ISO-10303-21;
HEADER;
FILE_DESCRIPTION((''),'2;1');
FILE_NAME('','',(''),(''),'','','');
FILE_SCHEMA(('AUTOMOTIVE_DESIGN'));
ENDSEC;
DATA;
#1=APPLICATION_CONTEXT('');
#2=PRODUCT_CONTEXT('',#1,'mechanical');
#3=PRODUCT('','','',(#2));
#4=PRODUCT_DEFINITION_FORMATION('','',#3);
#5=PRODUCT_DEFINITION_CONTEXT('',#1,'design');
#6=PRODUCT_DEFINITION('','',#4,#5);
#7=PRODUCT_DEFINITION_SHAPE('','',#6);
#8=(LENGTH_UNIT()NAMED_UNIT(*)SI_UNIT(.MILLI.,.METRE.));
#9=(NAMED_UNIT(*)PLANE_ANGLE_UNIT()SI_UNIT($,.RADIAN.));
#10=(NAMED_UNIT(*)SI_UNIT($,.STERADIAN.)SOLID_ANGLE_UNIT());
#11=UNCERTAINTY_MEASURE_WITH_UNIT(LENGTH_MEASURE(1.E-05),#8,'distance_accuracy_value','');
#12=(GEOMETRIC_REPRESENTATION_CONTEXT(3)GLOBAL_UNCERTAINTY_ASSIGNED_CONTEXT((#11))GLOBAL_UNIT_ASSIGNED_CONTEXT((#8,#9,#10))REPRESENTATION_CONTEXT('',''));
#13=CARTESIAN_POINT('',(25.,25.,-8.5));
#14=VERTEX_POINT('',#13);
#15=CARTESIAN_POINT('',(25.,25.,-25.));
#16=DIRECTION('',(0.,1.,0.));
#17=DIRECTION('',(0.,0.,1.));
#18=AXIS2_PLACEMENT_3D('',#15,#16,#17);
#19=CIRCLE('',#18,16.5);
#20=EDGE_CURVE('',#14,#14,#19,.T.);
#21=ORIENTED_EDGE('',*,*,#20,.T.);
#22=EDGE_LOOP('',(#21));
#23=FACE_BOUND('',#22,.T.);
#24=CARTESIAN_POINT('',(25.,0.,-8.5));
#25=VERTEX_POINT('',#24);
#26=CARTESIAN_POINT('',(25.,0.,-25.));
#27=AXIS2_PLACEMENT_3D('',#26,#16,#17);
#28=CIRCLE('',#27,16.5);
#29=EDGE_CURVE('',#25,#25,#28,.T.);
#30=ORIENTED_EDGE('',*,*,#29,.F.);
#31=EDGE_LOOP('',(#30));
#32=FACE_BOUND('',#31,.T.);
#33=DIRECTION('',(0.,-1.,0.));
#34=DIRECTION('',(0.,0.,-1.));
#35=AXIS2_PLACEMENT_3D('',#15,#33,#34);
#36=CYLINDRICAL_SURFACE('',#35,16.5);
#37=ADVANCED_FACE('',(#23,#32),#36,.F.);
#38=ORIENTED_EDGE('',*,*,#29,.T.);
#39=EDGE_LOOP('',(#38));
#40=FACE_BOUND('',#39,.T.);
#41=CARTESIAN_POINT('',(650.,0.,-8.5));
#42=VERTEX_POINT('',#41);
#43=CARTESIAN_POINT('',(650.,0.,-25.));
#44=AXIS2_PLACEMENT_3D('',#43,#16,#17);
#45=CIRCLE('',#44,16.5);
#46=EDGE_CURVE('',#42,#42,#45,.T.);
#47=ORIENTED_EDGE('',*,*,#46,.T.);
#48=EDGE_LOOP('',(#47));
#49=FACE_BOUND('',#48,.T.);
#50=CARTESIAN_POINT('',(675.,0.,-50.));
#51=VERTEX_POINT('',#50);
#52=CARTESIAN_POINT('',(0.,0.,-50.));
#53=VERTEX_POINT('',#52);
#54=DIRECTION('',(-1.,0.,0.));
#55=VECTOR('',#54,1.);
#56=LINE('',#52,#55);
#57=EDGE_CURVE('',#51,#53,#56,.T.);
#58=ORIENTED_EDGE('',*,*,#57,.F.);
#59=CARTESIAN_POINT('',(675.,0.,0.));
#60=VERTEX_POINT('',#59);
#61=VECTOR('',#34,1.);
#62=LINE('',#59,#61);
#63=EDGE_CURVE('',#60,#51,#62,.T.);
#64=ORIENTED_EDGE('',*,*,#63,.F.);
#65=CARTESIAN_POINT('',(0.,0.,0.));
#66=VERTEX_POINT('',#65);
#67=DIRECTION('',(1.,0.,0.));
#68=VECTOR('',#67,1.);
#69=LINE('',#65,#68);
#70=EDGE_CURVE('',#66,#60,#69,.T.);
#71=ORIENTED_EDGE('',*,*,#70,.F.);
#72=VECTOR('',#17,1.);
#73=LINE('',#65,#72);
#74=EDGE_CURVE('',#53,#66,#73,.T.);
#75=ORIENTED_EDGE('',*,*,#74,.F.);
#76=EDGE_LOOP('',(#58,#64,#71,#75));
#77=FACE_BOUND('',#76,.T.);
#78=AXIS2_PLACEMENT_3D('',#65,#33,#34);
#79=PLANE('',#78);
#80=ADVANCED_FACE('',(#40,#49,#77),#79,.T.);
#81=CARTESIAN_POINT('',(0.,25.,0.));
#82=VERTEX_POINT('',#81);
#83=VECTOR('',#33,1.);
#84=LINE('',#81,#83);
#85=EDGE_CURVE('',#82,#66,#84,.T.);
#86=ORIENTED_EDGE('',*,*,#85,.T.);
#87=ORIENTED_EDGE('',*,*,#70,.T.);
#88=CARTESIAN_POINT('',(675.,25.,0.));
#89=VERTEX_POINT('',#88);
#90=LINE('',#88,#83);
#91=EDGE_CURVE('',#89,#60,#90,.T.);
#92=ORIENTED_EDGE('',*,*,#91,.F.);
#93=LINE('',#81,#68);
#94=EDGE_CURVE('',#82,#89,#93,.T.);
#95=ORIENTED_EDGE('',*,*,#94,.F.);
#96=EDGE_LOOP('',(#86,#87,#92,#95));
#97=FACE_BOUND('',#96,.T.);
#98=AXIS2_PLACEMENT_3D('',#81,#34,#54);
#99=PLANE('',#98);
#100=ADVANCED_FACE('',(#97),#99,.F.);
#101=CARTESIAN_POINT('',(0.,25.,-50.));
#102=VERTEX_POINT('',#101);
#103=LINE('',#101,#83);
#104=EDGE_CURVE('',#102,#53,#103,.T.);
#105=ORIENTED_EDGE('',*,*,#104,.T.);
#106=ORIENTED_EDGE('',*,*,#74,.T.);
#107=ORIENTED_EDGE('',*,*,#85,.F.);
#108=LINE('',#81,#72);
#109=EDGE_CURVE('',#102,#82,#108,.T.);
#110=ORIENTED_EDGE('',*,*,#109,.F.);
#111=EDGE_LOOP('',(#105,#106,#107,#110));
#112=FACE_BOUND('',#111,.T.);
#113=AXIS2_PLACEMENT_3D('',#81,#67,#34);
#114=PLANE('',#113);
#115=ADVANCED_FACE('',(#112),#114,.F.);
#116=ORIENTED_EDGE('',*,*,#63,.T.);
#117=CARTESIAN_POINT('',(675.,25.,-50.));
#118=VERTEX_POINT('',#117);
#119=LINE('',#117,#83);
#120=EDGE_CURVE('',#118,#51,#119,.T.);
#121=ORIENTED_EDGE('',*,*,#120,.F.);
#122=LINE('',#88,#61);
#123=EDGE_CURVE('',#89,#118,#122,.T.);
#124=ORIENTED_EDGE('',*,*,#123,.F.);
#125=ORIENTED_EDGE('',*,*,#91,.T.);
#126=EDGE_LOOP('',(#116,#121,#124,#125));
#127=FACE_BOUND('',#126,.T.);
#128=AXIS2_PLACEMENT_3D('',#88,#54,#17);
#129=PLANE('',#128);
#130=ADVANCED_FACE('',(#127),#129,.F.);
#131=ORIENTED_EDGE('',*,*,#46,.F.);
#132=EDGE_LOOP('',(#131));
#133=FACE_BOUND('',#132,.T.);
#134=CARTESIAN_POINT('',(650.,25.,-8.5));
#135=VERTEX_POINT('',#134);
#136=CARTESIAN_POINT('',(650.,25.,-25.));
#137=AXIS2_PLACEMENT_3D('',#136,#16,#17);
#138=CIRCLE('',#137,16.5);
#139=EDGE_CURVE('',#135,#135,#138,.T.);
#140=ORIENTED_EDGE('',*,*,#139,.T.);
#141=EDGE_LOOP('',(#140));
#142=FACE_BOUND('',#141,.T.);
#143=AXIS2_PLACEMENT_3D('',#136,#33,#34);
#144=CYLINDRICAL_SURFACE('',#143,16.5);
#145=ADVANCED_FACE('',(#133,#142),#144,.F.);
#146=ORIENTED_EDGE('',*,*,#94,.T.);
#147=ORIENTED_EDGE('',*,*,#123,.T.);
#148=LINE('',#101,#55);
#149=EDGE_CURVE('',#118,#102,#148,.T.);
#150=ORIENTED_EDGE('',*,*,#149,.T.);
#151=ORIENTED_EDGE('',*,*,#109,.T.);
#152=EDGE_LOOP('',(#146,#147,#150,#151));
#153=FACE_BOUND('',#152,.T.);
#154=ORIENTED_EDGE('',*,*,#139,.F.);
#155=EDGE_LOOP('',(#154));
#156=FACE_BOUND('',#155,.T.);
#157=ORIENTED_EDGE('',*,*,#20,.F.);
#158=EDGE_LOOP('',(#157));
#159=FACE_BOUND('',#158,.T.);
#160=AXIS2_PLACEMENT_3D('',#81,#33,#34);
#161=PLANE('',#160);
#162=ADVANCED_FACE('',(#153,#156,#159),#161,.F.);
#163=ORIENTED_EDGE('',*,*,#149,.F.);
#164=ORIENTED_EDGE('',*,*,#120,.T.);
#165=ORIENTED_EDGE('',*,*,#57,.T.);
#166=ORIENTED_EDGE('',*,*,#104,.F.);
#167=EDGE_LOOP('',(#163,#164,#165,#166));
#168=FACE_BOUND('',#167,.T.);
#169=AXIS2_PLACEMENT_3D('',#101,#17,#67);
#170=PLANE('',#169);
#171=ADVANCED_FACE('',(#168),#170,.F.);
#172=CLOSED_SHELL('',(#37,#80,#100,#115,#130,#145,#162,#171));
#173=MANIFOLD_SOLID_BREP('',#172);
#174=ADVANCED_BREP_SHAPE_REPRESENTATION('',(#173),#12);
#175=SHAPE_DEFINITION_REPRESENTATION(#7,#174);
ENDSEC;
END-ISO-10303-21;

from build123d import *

# Parameters (mm, degrees)
SKETCH_1_W      = 675
SKETCH_1_H      = 50
SKETCH_1_R      = 16.5
EXTRUDE_1_DEPTH = 25


with BuildPart() as part:
    # 草图1 → 凸台-拉伸1 (new body)
    with BuildSketch(Plane(origin=(0, 0, 0), x_dir=(1, 0, 0), z_dir=(0, 1, 0))):
        with Locations((337.5, 25)):
            Rectangle(SKETCH_1_W, SKETCH_1_H)
        with Locations(Location((25, 25, 0), (0, 0, 270))):
            Circle(SKETCH_1_R, mode=Mode.SUBTRACT)
        with Locations(Location((650, 25, 0), (0, 0, 270))):
            Circle(SKETCH_1_R, mode=Mode.SUBTRACT)
    extrude(amount=EXTRUDE_1_DEPTH)


solid = part.part
